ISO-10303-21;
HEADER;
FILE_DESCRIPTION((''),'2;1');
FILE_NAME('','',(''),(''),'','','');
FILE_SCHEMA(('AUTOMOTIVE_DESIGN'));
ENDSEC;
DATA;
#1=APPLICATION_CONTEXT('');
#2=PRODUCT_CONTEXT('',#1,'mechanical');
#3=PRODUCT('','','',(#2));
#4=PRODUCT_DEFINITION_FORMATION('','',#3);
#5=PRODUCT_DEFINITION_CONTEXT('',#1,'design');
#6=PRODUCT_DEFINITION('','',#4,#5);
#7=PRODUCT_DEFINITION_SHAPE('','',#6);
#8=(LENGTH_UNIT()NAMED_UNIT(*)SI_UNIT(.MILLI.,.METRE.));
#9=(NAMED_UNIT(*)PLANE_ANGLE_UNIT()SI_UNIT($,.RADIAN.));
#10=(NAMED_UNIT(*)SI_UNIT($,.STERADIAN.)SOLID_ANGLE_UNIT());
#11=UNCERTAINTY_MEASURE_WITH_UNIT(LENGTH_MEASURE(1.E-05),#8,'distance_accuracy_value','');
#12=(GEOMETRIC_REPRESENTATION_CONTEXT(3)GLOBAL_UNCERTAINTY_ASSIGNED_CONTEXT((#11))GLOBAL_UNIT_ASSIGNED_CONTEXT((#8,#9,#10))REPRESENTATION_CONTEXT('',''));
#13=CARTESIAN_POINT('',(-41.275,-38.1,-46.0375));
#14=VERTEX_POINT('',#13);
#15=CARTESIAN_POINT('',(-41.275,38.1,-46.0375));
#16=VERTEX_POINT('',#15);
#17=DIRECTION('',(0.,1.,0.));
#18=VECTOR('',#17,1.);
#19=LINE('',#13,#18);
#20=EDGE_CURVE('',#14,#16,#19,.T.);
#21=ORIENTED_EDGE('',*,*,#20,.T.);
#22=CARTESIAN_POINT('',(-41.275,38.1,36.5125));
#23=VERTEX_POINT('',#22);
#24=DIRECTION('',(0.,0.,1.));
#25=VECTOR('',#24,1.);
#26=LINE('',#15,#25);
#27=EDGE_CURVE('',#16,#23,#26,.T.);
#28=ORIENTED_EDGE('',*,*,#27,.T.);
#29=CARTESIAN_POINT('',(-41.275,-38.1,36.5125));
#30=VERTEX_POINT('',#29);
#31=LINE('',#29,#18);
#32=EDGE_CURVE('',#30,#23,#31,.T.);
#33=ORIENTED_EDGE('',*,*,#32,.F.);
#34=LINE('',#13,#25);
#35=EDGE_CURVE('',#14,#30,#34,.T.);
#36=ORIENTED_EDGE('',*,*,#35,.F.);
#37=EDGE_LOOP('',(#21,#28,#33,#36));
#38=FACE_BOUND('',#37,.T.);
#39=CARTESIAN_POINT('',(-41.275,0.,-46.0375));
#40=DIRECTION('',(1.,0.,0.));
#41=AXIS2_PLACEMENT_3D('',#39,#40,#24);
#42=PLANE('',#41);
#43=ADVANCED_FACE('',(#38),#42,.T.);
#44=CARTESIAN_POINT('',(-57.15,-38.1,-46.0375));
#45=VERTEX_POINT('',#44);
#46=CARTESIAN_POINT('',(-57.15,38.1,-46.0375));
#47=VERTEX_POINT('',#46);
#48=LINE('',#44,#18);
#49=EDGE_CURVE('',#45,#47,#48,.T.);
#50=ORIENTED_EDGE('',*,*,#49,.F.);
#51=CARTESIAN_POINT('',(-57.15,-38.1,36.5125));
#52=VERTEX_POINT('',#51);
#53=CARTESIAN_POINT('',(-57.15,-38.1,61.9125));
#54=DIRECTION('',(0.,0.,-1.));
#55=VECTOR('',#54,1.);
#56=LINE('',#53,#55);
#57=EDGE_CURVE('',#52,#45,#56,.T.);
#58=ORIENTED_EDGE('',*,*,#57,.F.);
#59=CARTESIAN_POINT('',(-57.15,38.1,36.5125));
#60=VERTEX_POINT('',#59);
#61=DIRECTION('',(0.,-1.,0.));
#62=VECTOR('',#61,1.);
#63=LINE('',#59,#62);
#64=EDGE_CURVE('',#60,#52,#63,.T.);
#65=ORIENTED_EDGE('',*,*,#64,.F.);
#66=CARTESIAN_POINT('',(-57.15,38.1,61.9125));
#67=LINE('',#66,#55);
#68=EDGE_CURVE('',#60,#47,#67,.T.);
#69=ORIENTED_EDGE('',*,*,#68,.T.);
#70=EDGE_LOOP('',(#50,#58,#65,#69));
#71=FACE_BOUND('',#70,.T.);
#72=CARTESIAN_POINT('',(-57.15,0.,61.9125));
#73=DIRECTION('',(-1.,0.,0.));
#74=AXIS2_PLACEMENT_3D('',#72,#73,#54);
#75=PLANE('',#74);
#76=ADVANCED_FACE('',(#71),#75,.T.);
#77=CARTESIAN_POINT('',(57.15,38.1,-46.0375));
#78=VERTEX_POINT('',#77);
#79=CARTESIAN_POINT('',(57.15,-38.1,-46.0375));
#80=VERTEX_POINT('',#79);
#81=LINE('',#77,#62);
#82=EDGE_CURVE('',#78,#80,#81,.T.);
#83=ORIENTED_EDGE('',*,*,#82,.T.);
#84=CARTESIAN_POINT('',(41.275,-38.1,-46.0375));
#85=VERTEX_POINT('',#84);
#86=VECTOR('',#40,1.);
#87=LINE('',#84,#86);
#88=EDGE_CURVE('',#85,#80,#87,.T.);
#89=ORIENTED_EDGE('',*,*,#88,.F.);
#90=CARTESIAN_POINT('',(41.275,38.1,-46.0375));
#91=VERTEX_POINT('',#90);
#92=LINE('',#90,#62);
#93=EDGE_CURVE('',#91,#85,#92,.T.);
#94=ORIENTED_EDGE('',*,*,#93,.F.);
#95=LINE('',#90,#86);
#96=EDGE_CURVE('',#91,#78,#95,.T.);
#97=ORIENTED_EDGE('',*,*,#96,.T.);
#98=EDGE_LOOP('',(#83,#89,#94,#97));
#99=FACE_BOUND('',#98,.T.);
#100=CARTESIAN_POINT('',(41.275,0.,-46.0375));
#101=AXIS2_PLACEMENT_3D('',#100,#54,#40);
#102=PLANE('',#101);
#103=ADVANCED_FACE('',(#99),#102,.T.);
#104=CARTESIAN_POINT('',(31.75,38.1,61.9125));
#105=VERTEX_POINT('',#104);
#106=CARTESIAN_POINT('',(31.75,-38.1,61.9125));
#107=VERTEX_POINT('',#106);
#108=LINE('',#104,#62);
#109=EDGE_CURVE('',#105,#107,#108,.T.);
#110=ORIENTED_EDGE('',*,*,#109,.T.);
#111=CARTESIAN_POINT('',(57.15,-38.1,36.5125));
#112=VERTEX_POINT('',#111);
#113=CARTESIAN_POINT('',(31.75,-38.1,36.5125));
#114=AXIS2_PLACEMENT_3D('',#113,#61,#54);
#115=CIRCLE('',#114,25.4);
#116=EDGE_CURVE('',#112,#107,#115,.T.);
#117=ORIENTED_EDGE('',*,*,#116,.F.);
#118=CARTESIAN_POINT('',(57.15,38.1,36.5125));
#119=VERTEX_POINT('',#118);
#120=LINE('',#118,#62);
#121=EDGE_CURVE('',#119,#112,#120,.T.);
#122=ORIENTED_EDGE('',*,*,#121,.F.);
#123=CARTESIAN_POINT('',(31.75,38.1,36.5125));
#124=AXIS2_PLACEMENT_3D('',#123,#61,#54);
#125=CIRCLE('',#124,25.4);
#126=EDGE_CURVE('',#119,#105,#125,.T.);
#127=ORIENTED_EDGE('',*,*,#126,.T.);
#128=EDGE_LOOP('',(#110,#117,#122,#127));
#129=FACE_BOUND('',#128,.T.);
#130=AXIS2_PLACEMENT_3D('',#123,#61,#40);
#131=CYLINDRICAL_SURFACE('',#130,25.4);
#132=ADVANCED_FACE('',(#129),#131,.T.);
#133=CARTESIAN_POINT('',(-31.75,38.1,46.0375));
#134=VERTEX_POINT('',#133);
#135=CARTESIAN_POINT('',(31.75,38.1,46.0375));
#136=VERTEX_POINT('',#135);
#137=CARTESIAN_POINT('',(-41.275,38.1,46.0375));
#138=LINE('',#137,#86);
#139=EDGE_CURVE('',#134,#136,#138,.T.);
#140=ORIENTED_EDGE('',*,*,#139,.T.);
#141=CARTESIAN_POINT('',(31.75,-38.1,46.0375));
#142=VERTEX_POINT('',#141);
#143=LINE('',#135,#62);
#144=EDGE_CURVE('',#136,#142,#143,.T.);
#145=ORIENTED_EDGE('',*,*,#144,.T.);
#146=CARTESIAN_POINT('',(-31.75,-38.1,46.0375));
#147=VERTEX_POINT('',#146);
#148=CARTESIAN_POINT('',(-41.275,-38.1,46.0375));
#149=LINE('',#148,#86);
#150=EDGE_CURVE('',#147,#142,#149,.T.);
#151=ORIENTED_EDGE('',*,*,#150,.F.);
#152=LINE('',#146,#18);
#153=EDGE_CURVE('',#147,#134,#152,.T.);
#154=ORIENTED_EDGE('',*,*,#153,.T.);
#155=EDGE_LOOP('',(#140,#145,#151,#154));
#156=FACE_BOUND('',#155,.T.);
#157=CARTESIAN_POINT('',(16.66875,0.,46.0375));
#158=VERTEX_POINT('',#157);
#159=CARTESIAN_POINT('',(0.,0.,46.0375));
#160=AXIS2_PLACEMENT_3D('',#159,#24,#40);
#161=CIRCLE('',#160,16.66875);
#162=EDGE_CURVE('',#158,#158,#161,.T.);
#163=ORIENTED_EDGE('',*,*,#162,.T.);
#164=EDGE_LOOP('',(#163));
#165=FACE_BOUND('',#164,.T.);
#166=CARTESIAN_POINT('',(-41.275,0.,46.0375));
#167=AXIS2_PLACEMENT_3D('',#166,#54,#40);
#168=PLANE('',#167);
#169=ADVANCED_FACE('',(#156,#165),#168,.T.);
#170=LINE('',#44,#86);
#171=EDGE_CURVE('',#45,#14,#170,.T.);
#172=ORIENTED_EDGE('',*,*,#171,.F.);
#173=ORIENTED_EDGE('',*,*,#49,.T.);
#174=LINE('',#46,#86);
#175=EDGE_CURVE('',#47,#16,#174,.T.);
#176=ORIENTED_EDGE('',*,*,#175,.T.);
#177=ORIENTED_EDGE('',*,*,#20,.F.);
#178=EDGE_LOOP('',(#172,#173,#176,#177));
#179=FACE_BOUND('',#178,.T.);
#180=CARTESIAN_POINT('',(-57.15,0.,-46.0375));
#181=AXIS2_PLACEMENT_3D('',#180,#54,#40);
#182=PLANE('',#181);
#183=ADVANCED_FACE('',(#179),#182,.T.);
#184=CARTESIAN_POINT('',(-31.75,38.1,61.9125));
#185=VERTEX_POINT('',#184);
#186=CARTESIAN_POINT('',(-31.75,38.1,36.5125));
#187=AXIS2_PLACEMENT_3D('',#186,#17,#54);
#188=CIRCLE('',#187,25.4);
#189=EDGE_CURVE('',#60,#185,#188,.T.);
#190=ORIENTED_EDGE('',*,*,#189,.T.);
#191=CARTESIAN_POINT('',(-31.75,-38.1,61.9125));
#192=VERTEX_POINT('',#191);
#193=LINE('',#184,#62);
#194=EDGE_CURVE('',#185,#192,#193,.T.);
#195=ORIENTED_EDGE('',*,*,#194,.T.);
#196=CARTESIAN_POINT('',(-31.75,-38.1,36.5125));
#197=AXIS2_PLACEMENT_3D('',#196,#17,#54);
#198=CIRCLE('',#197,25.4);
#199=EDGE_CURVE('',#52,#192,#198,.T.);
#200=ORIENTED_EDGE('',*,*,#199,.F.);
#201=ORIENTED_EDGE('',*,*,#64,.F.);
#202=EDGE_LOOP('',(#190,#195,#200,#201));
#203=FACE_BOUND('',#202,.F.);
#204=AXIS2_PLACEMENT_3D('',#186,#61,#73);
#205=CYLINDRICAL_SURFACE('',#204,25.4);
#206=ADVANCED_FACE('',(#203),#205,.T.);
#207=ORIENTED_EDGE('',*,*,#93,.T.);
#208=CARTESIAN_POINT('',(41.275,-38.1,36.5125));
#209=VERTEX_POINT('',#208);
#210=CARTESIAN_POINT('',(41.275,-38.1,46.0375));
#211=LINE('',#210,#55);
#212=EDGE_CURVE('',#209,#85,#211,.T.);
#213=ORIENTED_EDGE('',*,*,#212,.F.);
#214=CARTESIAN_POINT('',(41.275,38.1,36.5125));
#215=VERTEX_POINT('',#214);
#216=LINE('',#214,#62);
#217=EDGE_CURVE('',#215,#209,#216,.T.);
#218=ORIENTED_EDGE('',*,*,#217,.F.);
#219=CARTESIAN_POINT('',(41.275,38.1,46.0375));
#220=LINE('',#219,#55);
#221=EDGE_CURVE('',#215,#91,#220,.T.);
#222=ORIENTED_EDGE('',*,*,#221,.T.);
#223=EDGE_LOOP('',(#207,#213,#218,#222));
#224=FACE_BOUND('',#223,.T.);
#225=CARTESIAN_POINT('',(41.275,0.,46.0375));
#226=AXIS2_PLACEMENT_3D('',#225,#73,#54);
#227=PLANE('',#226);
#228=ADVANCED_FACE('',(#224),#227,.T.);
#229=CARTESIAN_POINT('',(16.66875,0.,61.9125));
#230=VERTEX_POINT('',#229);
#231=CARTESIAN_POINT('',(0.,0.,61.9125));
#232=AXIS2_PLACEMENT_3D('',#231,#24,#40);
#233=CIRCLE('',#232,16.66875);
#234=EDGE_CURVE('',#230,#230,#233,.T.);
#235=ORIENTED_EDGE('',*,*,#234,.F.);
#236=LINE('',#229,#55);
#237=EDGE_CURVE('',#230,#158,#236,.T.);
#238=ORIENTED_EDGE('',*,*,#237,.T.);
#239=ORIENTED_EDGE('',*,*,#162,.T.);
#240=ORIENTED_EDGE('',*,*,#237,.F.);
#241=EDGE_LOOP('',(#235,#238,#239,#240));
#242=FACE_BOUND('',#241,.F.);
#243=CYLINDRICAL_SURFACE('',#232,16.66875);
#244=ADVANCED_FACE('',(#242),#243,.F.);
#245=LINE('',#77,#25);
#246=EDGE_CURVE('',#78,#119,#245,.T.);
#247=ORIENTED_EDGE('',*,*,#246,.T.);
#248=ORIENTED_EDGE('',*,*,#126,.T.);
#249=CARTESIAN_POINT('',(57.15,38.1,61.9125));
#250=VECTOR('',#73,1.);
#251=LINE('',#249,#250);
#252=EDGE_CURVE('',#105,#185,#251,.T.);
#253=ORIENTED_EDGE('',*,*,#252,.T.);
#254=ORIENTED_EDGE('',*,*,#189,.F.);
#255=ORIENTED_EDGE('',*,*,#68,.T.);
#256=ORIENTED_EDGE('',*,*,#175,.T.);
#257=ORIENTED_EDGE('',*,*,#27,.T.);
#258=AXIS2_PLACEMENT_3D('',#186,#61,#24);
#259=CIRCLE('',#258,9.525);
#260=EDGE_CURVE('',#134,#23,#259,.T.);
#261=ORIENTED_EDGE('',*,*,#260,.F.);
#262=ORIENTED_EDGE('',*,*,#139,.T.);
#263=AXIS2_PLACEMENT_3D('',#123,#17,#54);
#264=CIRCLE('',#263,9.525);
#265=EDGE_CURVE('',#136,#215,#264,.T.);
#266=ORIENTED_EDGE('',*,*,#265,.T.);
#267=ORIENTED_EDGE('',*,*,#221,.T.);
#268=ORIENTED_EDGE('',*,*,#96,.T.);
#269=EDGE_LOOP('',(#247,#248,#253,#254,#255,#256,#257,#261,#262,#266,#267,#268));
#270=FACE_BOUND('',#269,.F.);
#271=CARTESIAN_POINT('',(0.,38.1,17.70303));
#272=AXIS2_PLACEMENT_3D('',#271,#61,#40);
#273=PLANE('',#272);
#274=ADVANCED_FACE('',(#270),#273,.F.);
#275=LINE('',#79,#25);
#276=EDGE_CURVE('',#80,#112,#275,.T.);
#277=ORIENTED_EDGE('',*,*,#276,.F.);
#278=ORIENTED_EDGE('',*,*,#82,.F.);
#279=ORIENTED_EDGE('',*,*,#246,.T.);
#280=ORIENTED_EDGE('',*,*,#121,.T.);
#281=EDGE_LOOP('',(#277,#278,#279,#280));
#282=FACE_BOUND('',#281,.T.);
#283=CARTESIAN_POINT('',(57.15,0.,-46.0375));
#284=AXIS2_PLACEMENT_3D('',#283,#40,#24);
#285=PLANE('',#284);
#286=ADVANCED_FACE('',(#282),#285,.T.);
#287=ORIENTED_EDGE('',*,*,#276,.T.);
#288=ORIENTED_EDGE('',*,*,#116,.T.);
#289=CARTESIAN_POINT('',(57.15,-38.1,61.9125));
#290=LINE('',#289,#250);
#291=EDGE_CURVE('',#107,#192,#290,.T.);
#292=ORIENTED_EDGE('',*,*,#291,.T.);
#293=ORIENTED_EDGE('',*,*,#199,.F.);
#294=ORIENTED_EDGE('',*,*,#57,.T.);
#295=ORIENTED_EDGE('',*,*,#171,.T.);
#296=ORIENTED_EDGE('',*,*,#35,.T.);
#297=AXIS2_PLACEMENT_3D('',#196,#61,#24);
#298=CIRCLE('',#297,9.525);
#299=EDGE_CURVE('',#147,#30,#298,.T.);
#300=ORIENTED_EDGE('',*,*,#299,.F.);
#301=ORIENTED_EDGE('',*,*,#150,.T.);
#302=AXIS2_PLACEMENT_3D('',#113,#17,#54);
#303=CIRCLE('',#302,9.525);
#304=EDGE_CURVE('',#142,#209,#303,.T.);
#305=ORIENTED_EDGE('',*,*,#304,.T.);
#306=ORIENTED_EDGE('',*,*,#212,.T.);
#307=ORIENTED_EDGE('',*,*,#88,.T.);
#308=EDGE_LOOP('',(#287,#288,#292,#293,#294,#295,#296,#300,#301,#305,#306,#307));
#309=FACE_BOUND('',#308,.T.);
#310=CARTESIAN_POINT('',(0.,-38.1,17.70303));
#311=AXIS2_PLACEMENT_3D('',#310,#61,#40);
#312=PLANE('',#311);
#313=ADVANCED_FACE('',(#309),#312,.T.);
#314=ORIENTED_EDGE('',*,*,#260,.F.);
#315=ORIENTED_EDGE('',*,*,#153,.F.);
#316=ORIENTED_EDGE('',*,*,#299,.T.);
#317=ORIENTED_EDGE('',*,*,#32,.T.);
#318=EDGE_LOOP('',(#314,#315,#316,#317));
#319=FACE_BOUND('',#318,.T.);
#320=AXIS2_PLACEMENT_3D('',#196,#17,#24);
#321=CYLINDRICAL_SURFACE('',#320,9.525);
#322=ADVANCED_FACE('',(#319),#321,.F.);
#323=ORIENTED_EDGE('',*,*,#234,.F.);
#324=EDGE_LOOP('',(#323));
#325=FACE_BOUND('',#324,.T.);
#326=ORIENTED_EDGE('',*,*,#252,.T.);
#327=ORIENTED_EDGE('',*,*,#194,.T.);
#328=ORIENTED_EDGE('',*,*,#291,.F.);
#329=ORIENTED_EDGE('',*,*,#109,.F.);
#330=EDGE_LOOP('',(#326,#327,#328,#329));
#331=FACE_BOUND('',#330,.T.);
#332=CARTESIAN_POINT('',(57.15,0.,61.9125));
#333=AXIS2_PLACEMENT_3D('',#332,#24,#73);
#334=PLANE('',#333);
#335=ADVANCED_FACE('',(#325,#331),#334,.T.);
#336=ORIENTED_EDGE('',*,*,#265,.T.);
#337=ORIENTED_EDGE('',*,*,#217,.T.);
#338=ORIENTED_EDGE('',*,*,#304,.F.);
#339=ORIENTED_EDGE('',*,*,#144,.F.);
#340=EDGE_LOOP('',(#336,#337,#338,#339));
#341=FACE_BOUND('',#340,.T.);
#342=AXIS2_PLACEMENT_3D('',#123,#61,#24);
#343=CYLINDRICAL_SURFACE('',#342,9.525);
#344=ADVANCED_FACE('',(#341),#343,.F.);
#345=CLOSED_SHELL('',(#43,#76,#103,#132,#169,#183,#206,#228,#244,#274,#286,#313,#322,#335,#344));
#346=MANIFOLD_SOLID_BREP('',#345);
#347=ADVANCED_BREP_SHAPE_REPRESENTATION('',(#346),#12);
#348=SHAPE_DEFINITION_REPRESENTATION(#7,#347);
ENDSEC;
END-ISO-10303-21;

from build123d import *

# Parameters (mm, degrees)
F1_DEPTH = 38.1
F2_R     = 9.525
F3_R     = 25.4
F4_R     = 16.66875
F5_DEPTH = 25.4


with BuildPart() as f1:
    # F0 (on Front) → F1 (new body, symmetric)
    with BuildSketch(Plane.XZ):
        Polygon((-41.275, 46.0375), (41.275, 46.0375), (41.275, -46.0375), (57.15, -46.0375), (57.15, 46.0375), (57.15, 61.9125), (41.275, 61.9125), (-41.275, 61.9125), (-57.15, 61.9125), (-57.15, 46.0375), (-57.15, -46.0375), (-41.275, -46.0375), align=None)
    extrude(amount=F1_DEPTH, both=True)

    # F2
    f2_edges = [f1.edges().sort_by_distance(p)[0] for p in [
        (-41.275, 0, 46.0375),
        (41.275, 0, 46.0375),
    ]]
    fillet(f2_edges, radius=F2_R)

    # F3
    f3_edges = [f1.edges().sort_by_distance(p)[0] for p in [
        (-57.15, 0, 61.9125),
        (57.15, 0, 61.9125),
    ]]
    fillet(f3_edges, radius=F3_R)

    # F4 (on face) → F5 (cut)
    with BuildSketch(Plane.XY.offset(61.9125)):
        Circle(F4_R)
    extrude(amount=-F5_DEPTH, mode=Mode.SUBTRACT)


solid = f1.part
